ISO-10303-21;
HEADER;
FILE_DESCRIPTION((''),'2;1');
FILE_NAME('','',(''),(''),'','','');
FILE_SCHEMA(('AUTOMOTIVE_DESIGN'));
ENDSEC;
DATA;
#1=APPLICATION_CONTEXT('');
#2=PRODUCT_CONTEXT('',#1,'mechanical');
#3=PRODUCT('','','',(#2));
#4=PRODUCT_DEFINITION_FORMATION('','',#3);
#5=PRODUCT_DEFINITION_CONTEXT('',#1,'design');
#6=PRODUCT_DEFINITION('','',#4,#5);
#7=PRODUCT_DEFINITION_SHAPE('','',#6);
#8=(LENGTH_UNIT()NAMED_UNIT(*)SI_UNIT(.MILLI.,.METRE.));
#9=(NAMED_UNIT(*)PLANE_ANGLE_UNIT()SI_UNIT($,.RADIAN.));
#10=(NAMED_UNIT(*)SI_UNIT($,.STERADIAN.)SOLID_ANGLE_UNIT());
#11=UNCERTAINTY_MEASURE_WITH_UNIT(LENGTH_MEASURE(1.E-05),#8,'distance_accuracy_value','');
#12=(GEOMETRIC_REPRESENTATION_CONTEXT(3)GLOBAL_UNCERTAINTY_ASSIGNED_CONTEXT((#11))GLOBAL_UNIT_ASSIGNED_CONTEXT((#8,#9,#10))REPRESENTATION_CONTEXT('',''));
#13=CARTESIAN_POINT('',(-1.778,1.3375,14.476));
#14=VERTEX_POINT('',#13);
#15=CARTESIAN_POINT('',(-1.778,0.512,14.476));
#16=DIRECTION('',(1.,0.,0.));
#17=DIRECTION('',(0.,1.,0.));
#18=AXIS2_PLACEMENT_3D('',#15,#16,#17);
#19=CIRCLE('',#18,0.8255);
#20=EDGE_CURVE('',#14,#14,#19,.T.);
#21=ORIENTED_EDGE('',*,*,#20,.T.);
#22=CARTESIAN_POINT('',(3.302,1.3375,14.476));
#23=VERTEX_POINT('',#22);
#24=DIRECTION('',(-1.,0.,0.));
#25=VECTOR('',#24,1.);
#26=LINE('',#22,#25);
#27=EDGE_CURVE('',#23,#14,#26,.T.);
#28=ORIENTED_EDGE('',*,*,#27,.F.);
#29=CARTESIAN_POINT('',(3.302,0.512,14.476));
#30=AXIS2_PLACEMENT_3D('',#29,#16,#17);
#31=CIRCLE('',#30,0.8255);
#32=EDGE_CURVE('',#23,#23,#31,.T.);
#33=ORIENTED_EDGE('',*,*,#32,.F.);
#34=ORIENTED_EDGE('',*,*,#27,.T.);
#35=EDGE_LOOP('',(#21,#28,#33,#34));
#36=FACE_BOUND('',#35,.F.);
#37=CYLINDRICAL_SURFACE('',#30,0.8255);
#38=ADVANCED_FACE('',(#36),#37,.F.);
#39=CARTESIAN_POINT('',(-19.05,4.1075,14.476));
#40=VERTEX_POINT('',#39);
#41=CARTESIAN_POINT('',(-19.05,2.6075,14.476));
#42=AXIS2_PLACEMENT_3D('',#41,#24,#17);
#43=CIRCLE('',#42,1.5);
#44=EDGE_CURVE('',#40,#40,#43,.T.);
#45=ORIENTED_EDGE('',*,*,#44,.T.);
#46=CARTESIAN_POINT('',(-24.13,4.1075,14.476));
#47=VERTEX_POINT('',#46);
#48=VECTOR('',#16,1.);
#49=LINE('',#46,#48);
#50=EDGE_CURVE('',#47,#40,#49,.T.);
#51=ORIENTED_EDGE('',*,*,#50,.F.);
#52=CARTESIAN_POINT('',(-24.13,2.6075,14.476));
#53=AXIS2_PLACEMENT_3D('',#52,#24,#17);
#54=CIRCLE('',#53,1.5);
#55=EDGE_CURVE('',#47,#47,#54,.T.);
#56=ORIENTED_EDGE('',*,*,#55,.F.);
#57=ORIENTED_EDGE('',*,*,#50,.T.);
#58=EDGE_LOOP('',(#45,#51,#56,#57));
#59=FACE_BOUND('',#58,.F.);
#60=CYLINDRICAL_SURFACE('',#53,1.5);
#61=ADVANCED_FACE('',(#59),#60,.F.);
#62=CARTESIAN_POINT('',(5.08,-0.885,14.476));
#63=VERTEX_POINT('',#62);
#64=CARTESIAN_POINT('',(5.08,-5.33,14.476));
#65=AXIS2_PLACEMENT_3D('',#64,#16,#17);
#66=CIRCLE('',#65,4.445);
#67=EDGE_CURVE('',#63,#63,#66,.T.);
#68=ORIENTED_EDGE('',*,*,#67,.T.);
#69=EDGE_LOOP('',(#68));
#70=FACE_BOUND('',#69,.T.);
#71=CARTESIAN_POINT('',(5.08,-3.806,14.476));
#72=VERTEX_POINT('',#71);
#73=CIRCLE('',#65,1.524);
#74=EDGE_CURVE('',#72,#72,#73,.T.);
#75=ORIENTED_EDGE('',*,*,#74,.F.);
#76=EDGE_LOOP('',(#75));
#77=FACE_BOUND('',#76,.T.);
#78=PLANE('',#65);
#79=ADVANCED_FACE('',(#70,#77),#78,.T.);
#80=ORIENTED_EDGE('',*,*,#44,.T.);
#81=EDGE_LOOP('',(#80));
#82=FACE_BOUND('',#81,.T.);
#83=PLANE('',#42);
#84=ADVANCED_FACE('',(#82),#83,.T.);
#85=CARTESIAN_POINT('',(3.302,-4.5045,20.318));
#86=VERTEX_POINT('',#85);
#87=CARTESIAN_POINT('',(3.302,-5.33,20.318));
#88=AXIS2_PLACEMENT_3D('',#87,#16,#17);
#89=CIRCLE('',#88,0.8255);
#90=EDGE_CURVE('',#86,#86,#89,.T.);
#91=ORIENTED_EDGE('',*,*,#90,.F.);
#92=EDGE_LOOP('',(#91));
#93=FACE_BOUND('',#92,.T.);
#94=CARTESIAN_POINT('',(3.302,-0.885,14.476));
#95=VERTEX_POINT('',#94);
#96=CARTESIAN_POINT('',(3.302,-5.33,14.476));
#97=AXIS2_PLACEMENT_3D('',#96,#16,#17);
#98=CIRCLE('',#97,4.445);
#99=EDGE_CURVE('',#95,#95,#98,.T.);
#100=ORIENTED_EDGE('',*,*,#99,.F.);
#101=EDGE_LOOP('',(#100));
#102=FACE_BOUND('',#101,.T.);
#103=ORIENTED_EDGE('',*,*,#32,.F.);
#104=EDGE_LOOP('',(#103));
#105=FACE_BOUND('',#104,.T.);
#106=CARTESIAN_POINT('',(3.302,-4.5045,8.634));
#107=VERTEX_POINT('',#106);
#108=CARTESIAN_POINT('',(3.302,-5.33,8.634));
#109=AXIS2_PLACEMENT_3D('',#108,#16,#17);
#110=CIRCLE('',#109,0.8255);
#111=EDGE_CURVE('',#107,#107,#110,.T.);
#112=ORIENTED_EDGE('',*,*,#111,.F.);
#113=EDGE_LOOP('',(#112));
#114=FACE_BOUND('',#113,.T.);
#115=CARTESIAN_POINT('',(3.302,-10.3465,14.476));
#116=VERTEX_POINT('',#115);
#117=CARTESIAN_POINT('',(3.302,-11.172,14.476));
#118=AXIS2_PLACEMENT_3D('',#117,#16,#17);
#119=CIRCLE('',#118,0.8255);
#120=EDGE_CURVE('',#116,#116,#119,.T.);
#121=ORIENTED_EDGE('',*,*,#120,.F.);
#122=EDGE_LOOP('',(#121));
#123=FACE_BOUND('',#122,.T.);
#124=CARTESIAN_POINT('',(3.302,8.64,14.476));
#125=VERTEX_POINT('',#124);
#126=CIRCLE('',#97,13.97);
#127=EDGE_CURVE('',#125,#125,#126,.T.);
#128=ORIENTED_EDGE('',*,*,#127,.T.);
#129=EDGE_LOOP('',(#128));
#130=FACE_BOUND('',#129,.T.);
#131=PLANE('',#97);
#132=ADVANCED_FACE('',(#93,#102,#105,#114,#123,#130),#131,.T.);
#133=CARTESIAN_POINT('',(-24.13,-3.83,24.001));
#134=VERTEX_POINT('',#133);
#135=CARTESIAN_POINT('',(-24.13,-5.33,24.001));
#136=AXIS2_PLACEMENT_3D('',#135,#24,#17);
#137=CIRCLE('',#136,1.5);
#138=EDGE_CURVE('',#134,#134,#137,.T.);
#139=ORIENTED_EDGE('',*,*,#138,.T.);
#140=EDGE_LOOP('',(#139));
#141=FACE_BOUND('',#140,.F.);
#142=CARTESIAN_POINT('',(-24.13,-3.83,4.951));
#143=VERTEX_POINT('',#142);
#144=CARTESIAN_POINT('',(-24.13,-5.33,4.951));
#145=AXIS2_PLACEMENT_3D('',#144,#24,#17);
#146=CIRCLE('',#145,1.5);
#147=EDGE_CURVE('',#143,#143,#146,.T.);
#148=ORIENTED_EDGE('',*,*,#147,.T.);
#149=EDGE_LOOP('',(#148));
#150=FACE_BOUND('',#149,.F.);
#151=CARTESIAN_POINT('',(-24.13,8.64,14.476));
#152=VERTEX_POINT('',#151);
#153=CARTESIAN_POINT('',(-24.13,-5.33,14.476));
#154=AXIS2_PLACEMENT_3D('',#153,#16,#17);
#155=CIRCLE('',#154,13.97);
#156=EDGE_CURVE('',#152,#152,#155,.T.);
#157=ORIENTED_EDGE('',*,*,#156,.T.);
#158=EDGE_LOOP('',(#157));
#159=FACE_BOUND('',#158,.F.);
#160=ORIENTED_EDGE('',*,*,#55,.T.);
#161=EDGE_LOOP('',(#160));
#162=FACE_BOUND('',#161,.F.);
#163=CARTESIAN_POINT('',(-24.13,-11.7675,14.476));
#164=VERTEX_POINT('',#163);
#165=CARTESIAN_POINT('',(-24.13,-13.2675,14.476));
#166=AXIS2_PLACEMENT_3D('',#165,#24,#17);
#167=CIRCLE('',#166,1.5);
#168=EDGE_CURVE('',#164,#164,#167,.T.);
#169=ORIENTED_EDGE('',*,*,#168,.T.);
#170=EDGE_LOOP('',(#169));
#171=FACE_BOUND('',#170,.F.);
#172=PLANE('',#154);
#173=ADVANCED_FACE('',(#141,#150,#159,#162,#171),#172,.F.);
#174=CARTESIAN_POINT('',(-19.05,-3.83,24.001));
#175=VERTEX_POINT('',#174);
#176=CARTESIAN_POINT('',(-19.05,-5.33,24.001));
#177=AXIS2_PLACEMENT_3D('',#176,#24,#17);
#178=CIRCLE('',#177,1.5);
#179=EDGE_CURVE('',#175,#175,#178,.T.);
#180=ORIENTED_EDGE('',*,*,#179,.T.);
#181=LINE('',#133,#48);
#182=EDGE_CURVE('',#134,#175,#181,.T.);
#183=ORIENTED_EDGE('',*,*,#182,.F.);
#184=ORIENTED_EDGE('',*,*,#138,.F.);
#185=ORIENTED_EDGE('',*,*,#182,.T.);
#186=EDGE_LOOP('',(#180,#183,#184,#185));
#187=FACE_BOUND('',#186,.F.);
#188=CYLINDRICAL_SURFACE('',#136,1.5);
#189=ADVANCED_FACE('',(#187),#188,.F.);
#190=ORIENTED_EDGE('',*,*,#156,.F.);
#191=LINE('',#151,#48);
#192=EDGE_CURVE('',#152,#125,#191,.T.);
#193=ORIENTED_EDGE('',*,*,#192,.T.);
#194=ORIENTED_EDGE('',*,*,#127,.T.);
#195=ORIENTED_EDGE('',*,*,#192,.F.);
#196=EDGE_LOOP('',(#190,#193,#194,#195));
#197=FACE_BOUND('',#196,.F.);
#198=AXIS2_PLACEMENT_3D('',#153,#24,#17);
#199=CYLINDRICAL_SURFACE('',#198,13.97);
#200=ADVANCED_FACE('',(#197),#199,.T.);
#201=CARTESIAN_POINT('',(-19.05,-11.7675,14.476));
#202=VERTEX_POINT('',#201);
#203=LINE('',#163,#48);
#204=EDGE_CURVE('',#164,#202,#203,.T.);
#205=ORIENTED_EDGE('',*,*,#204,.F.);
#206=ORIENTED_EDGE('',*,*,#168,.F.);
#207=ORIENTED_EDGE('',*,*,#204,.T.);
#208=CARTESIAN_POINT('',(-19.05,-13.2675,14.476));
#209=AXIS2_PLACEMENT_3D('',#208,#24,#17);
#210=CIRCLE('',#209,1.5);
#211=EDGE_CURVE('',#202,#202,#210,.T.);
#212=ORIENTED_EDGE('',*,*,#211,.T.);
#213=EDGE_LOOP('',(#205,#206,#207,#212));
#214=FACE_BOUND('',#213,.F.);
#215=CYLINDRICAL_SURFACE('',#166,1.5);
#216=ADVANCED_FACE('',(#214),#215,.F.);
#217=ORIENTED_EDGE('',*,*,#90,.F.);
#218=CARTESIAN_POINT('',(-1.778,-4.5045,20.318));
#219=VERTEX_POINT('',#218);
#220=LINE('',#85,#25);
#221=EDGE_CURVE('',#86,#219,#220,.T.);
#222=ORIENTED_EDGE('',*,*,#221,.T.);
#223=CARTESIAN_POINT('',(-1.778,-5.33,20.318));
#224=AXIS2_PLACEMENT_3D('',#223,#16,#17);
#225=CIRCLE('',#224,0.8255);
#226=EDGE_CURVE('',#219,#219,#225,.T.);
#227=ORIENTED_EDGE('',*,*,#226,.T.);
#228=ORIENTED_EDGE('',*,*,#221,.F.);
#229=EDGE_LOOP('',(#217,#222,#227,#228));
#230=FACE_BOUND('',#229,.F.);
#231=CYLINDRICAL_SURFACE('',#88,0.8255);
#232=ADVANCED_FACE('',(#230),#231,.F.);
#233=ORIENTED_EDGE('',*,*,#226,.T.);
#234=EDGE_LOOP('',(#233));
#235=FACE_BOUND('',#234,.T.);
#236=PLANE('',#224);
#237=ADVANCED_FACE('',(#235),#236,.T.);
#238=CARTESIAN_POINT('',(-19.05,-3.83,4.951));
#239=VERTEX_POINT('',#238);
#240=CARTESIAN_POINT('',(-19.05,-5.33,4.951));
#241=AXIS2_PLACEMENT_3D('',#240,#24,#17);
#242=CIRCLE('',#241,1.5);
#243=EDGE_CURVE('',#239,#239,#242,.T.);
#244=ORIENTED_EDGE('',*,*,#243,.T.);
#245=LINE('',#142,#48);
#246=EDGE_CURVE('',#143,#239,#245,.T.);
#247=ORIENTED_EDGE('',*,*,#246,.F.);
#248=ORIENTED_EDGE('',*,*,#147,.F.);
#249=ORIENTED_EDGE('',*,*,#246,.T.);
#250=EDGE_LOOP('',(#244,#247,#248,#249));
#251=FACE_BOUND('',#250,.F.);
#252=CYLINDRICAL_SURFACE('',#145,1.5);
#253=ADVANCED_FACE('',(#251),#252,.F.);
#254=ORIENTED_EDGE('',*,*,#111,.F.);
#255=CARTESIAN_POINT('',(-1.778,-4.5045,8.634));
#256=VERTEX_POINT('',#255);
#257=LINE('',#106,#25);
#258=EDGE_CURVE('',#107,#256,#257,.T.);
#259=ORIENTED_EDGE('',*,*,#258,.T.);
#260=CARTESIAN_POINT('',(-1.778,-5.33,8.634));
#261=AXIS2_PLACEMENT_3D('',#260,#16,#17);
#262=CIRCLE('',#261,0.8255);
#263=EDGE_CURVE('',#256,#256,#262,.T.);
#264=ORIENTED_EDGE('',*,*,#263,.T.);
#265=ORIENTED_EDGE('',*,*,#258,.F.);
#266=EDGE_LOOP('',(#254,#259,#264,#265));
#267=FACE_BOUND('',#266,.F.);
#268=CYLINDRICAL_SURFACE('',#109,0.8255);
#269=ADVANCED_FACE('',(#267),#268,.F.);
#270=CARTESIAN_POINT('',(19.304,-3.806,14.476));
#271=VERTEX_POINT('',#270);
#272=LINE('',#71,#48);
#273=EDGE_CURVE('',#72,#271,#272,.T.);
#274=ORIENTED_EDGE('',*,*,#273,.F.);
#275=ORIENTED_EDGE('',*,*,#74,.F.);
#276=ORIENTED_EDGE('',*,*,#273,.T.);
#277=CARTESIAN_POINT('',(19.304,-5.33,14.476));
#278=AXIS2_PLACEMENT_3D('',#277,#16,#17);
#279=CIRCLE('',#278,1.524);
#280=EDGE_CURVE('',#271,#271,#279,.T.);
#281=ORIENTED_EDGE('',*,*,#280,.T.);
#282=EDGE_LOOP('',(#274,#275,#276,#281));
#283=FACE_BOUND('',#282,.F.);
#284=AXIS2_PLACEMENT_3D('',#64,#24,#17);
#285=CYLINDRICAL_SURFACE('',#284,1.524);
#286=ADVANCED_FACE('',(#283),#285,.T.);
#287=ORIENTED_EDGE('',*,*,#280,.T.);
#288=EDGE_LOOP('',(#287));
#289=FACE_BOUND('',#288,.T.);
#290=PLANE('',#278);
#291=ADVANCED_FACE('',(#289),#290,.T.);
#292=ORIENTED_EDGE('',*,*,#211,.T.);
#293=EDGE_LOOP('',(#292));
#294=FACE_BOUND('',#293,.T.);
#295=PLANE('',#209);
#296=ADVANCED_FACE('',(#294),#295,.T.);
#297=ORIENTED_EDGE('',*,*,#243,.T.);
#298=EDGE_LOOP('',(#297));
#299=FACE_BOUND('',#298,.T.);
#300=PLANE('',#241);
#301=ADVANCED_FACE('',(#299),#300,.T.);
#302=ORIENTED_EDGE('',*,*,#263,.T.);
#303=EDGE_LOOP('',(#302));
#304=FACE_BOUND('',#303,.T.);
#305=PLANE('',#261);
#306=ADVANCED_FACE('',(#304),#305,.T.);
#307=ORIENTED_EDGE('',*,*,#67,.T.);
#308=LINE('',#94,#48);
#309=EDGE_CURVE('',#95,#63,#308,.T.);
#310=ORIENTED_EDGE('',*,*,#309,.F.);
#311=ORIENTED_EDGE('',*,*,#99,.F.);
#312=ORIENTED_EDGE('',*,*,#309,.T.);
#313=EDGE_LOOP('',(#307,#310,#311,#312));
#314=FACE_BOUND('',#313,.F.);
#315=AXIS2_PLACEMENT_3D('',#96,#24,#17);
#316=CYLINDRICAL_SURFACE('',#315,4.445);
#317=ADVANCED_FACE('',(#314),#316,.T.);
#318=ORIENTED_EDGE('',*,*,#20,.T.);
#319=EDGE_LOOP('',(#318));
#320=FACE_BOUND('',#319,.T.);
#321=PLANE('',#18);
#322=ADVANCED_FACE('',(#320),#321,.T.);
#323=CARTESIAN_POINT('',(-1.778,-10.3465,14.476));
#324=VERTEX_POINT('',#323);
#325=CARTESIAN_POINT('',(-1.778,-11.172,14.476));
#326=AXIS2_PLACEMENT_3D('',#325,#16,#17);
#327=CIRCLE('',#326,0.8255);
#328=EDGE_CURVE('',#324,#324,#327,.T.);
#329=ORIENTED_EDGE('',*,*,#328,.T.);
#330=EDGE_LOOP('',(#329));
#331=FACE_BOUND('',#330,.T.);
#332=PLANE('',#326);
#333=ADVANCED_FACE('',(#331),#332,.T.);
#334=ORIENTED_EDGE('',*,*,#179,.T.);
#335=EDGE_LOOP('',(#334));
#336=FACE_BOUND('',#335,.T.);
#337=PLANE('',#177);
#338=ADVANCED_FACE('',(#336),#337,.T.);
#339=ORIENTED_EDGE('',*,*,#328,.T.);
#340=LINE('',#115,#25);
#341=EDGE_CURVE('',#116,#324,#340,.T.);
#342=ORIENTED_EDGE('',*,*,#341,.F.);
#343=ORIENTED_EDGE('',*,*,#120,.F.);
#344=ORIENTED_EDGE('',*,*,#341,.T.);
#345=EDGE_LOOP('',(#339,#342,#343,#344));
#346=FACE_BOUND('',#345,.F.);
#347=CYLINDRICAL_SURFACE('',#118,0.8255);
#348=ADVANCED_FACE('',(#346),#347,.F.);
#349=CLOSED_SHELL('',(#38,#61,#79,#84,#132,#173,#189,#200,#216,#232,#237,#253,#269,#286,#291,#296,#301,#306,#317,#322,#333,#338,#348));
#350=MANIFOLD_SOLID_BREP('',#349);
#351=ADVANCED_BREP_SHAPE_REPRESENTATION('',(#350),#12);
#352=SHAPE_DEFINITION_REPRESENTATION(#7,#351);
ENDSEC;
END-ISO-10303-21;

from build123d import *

# Parameters (mm, degrees)
SKETCH041_R     = 13.97
PAD019_DEPTH    = 27.432
SKETCH042_R     = 4.445
PAD020_DEPTH    = 1.778
SKETCH043_R     = 1.524
PAD021_DEPTH    = 14.224
SKETCH044_R     = 0.8255
POCKET018_DEPTH = 5.08
SKETCH049_R     = 1.5
POCKET021_DEPTH = 5.08


with BuildPart() as part:
    # Sketch041 → Pad019 (new body)
    with BuildSketch(Plane.YZ):
        Circle(SKETCH041_R)
    extrude(amount=PAD019_DEPTH)

    # Sketch042 (on Face3 of Pad019) → Pad020 (join)
    with BuildSketch(Plane.YZ.offset(27.432)):
        Circle(SKETCH042_R)
    extrude(amount=PAD020_DEPTH)

    # Sketch043 (on Face5 of Pad020) → Pad021 (join)
    with BuildSketch(Plane.YZ.offset(29.21)):
        Circle(SKETCH043_R)
    extrude(amount=PAD021_DEPTH)

    # Sketch044 (on Face3 of Pad021) → Pocket018 (cut)
    with BuildSketch(Plane.YZ.offset(27.432)):
        with Locations((0, 5.842)):
            Circle(SKETCH044_R)
        with Locations((5.842, 0)):
            Circle(SKETCH044_R)
        with Locations((0, -5.842)):
            Circle(SKETCH044_R)
        with Locations((-5.842, 0)):
            Circle(SKETCH044_R)
    extrude(amount=-POCKET018_DEPTH, mode=Mode.SUBTRACT)

    # Sketch049 (on Face2 of Pocket018) → Pocket021 (cut)
    with BuildSketch(Plane(origin=(0, 0, 0), x_dir=(0, 1, 0), z_dir=(-1, 0, 0))):
        with Locations((0, 9.525)):
            Circle(SKETCH049_R)
        with Locations((7.9375, 0)):
            Circle(SKETCH049_R)
        with Locations((0, -9.525)):
            Circle(SKETCH049_R)
        with Locations((-7.9375, 0)):
            Circle(SKETCH049_R)
    extrude(amount=-POCKET021_DEPTH, mode=Mode.SUBTRACT)


with BuildPart() as part_1:
    # Body017 placement: moved
    add(part.part.moved(Location((-24.13, -5.33, 14.476))))


solid = part_1.part
